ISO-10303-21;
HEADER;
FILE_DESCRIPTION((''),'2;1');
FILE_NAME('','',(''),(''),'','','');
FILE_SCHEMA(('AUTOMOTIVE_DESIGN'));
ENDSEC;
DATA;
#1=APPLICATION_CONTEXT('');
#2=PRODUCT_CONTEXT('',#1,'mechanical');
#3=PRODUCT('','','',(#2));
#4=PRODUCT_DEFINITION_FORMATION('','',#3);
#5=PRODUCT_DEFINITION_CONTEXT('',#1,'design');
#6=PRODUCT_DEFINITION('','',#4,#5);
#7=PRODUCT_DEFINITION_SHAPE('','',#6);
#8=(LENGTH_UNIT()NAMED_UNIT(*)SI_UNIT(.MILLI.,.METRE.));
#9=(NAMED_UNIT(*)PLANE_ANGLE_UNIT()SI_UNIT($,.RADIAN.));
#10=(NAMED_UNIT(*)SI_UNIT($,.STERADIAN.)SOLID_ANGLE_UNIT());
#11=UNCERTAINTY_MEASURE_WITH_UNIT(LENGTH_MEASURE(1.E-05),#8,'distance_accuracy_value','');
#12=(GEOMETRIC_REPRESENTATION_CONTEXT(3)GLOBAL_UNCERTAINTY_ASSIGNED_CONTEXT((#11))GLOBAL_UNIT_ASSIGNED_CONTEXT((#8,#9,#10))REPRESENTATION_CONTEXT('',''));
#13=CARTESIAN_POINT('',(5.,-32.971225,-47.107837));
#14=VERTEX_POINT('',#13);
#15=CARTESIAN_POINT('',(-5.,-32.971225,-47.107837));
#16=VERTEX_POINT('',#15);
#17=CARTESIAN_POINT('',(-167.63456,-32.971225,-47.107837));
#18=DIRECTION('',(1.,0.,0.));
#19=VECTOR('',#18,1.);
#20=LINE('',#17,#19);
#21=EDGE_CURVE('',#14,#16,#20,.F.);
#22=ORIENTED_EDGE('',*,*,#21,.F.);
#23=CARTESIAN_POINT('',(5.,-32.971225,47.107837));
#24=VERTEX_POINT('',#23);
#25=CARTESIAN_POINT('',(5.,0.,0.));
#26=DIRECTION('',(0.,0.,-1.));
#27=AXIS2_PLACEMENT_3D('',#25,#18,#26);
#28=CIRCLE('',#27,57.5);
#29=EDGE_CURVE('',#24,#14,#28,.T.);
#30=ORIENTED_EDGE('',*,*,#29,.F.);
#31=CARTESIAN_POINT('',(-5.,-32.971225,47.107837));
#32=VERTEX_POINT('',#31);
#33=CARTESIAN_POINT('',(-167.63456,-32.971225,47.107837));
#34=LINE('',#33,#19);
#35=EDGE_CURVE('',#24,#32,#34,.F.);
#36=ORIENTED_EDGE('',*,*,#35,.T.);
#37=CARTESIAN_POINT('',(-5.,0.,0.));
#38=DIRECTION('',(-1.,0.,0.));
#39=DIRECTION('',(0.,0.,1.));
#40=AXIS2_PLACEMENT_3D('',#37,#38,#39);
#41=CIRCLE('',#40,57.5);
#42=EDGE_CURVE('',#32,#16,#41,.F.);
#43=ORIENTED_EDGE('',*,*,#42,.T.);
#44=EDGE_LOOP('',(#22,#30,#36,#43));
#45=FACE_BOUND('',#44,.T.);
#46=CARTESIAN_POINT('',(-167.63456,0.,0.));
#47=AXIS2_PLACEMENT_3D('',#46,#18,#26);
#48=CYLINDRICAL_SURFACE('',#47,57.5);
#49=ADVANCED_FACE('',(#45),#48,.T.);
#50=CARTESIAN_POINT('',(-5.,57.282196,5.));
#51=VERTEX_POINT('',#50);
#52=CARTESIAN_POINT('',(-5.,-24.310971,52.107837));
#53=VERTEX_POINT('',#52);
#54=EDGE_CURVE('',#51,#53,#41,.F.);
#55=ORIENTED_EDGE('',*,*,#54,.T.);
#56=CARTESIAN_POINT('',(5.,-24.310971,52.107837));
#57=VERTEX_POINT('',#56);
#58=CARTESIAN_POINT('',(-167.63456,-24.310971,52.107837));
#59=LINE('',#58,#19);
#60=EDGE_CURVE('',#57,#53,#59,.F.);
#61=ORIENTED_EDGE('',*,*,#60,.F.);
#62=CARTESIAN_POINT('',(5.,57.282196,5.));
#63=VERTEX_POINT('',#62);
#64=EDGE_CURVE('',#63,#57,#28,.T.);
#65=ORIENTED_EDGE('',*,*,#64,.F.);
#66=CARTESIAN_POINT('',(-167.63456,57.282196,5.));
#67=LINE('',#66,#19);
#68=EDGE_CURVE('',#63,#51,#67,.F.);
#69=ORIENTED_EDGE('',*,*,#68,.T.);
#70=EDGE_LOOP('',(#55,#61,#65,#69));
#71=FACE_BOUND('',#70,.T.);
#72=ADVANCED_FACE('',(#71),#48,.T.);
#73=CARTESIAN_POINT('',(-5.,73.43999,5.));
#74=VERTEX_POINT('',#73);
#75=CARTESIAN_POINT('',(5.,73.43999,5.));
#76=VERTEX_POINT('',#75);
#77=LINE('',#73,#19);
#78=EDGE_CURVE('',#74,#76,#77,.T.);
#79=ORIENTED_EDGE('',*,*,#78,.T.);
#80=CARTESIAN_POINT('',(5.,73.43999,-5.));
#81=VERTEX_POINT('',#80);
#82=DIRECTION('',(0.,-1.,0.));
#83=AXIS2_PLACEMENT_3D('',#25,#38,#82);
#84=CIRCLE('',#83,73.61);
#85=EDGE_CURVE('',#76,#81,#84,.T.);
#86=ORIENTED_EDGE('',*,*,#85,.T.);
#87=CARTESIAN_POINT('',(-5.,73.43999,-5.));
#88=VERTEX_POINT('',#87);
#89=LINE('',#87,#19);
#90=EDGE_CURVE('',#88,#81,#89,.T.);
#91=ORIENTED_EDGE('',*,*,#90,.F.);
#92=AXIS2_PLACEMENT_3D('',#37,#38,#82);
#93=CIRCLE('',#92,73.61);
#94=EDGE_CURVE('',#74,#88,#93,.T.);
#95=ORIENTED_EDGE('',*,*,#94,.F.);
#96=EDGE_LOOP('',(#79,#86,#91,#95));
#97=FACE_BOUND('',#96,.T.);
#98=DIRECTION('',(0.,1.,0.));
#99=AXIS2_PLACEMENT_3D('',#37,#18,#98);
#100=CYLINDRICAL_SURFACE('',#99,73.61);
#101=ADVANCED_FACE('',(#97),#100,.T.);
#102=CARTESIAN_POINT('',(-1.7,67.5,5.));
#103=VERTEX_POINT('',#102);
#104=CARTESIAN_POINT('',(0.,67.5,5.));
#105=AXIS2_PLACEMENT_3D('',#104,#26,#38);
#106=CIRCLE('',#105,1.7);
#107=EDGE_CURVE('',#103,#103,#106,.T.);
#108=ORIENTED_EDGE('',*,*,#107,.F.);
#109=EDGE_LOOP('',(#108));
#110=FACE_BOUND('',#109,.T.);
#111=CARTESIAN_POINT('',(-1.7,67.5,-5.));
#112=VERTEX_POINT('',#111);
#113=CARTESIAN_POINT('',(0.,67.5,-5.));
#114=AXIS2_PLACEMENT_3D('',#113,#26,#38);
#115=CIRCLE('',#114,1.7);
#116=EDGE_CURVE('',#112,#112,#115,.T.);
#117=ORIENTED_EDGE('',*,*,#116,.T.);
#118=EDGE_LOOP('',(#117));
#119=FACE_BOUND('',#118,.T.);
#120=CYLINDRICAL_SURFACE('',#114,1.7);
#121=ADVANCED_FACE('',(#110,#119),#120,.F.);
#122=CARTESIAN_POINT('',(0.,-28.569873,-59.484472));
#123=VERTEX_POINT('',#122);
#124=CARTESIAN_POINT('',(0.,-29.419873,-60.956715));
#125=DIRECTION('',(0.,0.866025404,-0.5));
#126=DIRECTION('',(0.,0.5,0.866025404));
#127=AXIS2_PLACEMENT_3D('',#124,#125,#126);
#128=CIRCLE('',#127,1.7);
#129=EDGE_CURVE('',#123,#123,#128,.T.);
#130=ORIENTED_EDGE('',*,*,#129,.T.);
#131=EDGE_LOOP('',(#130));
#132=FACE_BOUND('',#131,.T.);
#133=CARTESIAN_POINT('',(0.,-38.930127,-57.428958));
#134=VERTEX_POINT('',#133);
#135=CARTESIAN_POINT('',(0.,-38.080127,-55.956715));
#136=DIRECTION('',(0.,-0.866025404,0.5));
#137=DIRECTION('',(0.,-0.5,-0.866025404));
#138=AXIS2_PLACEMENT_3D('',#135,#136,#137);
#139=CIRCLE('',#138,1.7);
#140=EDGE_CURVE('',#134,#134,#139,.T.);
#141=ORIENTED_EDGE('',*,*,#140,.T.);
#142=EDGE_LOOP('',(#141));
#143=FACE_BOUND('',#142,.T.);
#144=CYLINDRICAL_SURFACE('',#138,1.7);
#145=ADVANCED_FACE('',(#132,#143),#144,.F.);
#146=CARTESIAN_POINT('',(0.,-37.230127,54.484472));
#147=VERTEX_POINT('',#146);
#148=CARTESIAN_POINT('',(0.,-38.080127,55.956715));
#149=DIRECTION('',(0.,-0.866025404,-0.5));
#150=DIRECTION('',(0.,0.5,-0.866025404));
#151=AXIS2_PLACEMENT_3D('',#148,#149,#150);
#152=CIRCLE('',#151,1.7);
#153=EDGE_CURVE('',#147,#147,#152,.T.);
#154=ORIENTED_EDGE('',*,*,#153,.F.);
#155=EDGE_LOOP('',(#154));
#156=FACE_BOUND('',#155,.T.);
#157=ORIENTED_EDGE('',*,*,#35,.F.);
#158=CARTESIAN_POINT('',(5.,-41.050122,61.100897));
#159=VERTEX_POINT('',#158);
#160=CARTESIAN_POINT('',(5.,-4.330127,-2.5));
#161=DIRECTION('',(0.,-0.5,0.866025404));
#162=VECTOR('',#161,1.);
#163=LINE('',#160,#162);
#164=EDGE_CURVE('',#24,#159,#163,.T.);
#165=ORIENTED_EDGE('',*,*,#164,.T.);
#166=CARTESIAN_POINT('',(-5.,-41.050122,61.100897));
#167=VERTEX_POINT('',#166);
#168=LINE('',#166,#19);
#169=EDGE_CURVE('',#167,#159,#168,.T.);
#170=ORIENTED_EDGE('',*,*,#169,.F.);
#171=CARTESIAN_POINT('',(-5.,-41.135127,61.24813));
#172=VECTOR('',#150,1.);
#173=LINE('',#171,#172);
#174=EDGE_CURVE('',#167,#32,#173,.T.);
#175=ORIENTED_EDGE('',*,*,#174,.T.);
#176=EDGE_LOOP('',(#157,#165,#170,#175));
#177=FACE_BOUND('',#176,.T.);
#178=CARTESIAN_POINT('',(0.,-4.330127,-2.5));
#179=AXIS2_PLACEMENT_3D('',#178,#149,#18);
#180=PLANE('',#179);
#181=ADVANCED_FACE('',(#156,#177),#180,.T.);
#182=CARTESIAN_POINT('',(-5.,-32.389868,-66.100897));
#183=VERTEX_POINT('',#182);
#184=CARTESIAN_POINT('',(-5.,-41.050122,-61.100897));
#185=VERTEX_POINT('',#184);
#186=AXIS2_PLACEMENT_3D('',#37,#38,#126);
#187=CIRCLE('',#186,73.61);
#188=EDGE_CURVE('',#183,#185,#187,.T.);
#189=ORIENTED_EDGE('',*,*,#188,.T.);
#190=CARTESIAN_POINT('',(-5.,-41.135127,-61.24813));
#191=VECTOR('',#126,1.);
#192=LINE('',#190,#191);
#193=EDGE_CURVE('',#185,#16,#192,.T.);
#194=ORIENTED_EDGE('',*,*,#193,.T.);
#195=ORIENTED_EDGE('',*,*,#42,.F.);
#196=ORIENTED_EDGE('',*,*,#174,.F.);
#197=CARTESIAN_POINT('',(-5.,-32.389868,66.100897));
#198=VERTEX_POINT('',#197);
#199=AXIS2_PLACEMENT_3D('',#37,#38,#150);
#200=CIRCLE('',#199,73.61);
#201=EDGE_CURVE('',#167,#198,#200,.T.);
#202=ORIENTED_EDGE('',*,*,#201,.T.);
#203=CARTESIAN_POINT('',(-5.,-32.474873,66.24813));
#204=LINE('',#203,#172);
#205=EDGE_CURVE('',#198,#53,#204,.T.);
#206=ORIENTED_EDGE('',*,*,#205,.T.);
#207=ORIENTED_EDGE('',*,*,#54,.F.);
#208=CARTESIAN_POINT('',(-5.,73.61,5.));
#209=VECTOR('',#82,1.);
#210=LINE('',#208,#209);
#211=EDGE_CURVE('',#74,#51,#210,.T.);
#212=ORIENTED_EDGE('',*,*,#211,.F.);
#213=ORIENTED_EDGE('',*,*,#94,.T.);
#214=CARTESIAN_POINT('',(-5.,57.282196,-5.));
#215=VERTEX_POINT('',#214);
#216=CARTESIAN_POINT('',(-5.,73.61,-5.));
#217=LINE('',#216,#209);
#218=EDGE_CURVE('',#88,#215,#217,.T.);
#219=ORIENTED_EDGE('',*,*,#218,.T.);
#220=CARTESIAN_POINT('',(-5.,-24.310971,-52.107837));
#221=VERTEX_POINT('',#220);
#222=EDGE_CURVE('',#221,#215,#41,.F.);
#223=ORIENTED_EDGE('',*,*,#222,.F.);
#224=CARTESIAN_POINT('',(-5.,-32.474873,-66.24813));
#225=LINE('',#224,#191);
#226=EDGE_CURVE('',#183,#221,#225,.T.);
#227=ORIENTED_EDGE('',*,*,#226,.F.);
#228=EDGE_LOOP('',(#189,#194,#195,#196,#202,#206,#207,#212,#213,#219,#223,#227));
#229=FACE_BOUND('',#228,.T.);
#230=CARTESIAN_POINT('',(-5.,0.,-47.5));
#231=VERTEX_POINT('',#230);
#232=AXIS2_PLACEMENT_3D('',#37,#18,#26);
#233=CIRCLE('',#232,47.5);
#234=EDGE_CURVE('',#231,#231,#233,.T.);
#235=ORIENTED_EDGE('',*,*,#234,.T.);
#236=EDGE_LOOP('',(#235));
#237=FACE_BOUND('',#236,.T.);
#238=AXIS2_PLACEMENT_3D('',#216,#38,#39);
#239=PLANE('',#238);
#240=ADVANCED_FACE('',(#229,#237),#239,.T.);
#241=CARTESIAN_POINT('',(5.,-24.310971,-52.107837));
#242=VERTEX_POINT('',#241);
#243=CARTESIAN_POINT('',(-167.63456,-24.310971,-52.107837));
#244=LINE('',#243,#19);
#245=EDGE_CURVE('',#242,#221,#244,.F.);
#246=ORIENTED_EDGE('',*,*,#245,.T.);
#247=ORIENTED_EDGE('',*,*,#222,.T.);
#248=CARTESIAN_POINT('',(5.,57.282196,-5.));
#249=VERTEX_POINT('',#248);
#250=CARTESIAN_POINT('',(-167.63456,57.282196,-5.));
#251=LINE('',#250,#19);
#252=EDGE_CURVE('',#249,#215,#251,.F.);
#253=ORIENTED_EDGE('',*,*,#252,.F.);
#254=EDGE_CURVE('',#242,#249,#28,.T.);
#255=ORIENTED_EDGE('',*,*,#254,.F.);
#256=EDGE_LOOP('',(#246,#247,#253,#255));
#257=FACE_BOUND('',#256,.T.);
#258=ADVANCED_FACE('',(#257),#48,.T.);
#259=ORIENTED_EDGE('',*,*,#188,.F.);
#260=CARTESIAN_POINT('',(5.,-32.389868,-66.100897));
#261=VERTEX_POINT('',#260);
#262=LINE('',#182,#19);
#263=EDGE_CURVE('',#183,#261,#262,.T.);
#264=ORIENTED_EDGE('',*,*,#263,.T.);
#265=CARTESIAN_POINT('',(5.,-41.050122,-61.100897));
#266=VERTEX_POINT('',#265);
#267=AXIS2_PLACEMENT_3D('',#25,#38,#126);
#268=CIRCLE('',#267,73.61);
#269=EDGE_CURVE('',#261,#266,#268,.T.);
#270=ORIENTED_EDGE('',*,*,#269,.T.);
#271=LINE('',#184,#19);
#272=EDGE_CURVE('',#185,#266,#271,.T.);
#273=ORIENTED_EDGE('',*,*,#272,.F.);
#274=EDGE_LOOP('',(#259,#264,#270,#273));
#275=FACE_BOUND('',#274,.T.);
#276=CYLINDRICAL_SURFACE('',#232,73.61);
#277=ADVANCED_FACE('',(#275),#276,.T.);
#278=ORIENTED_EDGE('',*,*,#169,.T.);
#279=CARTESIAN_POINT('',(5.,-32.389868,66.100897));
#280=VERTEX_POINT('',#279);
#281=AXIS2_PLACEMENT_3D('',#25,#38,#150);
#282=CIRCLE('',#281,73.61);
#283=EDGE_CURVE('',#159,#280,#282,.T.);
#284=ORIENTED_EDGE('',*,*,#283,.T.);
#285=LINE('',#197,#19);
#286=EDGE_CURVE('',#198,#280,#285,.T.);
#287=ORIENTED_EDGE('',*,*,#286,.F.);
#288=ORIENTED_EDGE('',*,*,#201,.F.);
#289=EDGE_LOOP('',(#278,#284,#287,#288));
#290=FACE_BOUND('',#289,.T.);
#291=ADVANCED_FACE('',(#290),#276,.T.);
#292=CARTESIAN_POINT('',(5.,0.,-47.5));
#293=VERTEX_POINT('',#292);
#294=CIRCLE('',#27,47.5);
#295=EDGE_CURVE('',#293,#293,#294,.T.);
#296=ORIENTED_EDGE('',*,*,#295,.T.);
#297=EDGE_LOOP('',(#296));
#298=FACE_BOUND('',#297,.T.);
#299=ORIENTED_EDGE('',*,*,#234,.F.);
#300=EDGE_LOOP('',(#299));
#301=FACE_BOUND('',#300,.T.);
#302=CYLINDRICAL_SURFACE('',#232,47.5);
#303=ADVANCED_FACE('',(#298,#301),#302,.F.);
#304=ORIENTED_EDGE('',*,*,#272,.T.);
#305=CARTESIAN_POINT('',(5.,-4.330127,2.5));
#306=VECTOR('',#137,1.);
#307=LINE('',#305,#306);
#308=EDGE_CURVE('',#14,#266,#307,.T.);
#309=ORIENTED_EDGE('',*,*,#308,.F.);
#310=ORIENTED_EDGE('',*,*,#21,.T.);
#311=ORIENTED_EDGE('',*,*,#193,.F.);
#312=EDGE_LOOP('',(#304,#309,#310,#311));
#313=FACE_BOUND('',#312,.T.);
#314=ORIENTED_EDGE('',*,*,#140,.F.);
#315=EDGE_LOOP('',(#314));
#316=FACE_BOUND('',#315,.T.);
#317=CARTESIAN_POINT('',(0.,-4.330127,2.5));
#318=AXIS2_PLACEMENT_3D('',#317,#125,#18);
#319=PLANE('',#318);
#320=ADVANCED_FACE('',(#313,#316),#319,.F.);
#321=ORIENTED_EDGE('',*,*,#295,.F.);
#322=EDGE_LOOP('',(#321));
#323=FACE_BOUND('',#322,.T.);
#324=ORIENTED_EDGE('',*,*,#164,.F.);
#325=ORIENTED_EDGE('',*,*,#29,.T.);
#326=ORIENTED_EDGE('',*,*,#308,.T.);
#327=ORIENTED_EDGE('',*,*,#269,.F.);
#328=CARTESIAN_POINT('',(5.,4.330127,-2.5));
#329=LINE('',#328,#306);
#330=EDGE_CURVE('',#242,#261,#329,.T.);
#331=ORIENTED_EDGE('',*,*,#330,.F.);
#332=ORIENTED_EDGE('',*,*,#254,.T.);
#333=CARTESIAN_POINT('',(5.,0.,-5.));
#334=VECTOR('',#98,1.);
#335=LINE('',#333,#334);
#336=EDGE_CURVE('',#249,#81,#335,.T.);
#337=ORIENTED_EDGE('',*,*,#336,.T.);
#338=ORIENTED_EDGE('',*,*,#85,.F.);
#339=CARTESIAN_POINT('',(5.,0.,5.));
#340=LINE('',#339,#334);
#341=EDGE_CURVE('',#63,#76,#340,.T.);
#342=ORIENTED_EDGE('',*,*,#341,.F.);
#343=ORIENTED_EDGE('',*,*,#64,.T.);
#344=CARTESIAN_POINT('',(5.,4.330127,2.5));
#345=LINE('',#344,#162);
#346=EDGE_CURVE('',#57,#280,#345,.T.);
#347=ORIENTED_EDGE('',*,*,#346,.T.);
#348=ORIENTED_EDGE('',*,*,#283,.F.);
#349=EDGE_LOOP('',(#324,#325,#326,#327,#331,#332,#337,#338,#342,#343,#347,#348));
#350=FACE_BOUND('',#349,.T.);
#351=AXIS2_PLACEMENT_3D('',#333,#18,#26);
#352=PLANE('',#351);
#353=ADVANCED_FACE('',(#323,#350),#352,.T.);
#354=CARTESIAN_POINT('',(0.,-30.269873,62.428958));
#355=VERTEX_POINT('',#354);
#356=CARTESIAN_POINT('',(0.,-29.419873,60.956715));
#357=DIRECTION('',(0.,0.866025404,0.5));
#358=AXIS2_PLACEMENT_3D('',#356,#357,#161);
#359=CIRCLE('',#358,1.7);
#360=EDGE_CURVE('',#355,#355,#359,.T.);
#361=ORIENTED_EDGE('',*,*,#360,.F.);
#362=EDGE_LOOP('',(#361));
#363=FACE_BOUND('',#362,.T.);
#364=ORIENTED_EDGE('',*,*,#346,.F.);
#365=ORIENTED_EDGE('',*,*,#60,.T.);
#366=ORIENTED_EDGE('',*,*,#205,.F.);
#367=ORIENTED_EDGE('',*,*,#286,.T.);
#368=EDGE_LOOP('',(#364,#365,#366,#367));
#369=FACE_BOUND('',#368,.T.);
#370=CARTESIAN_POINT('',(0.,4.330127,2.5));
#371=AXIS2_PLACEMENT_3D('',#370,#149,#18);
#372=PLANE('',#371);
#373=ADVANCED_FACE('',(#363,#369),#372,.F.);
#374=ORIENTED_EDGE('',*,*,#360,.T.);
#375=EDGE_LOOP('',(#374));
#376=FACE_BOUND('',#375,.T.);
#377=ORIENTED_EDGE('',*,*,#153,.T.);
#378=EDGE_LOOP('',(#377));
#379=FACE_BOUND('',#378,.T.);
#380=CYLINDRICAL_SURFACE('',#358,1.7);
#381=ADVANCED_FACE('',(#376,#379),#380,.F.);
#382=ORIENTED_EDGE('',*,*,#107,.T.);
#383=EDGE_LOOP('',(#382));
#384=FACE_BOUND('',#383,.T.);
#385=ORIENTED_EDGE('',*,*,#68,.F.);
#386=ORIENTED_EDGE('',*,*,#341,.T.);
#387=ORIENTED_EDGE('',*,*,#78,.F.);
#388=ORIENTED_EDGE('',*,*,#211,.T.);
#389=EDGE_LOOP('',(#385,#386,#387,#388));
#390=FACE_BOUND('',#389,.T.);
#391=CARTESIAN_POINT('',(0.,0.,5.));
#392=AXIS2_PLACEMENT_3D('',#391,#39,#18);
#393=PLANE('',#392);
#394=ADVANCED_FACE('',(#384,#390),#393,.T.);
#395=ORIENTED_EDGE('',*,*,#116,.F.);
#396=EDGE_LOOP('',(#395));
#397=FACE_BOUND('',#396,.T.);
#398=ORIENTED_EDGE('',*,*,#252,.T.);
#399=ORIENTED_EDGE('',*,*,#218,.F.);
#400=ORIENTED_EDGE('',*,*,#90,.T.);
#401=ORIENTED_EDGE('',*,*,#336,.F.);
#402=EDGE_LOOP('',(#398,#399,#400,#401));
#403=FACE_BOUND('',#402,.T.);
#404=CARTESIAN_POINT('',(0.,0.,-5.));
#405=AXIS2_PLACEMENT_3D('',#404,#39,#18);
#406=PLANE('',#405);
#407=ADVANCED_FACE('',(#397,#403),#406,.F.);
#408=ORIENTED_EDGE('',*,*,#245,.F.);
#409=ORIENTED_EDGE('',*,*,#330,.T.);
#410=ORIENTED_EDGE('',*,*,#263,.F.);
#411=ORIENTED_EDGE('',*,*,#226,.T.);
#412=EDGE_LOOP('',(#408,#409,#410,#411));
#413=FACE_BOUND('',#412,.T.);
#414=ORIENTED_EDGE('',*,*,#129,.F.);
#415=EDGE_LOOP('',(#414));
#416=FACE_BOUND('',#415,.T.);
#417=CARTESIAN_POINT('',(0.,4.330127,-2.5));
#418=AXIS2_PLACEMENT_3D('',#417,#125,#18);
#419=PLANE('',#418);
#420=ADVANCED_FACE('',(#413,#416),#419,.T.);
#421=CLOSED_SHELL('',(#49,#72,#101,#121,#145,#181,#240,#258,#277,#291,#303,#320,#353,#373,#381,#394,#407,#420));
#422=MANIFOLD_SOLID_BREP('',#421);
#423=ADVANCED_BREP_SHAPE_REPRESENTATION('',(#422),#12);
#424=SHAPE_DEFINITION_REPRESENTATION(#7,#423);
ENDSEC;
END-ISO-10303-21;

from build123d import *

# Parameters (mm, degrees)
ESQUISSE2_W                  = 10
ESQUISSE2_H                  = 73.61
BOSS_EXTRU_1_DEPTH           = 5
ENL_V_MAT_EXTRU_1_DEPTH      = 75.454228221
D_GAGEMENT_M31_D             = 3.4
R_P_TITION_CIRCULAIRE1_COUNT = 3
ESQUISSE8_R                  = 57.5
BOSS_EXTRU_2_DEPTH           = 10
ESQUISSE9_R                  = 47.5
ENL_V_MAT_EXTRU_3_DEPTH      = 100.437219687


with BuildPart() as part:
    # Esquisse2 → Boss.-Extru.1 (new, symmetric)
    with BuildSketch(Plane.XY):
        with Locations((0, 36.805)):
            Rectangle(ESQUISSE2_W, ESQUISSE2_H)
    boss_extru_1 = extrude(amount=BOSS_EXTRU_1_DEPTH, both=True)

    # Esquisse3 → Enlèv. mat.-Extru.1 (cut, through all)
    with BuildSketch(Plane(origin=(5, 0, 0), x_dir=(0, 0, -1), z_dir=(1, 0, 0))):
        with BuildLine():
            Line((-25.399222728, 69.089156782), (-25.399222728, 83.587655611))
            Line((-25.399222728, 83.587655611), (25.399222728, 83.587655611))
            Line((25.399222728, 83.587655611), (25.399222728, 69.089156782))
            ThreePointArc((25.399222728, 69.089156782), (0, 73.61), (-25.399222728, 69.089156782))
        make_face()
    enl_v_mat_extru_1 = extrude(amount=-ENL_V_MAT_EXTRU_1_DEPTH, mode=Mode.SUBTRACT)

    # Dégagement M31 (through all)
    with Locations(Plane(origin=(0, 0, -5), x_dir=(-1, 0, 0), z_dir=(0, 0, -1))):
        with Locations((0, 67.5)):
            d_gagement_m31 = Hole(D_GAGEMENT_M31_D / 2)

    # Répétition circulaire1: Boss.-Extru.1, Enlèv. mat.-Extru.1, Dégagement M31 ×3 about axis
    r_p_tition_circulaire1_axis = Axis((0, 0, 0), (1, 0, 0))
    add([boss_extru_1.rotate(r_p_tition_circulaire1_axis, i * 360 / R_P_TITION_CIRCULAIRE1_COUNT) for i in range(1, R_P_TITION_CIRCULAIRE1_COUNT)])
    add([enl_v_mat_extru_1.rotate(r_p_tition_circulaire1_axis, i * 360 / R_P_TITION_CIRCULAIRE1_COUNT) for i in range(1, R_P_TITION_CIRCULAIRE1_COUNT)], mode=Mode.SUBTRACT)
    add([d_gagement_m31.rotate(r_p_tition_circulaire1_axis, i * 360 / R_P_TITION_CIRCULAIRE1_COUNT) for i in range(1, R_P_TITION_CIRCULAIRE1_COUNT)], mode=Mode.SUBTRACT)

    # Esquisse8 → Boss.-Extru.2 (add)
    with BuildSketch(Plane(origin=(5, 0, 0), x_dir=(0, 0, -1), z_dir=(1, 0, 0))):
        Circle(ESQUISSE8_R)
    extrude(amount=-BOSS_EXTRU_2_DEPTH)

    # Esquisse9 → Enlèv. mat.-Extru.3 (cut, through all)
    with BuildSketch(Plane(origin=(5, 0, 0), x_dir=(0, 0, -1), z_dir=(1, 0, 0))):
        Circle(ESQUISSE9_R)
    extrude(amount=-ENL_V_MAT_EXTRU_3_DEPTH, mode=Mode.SUBTRACT)


solid = part.part
